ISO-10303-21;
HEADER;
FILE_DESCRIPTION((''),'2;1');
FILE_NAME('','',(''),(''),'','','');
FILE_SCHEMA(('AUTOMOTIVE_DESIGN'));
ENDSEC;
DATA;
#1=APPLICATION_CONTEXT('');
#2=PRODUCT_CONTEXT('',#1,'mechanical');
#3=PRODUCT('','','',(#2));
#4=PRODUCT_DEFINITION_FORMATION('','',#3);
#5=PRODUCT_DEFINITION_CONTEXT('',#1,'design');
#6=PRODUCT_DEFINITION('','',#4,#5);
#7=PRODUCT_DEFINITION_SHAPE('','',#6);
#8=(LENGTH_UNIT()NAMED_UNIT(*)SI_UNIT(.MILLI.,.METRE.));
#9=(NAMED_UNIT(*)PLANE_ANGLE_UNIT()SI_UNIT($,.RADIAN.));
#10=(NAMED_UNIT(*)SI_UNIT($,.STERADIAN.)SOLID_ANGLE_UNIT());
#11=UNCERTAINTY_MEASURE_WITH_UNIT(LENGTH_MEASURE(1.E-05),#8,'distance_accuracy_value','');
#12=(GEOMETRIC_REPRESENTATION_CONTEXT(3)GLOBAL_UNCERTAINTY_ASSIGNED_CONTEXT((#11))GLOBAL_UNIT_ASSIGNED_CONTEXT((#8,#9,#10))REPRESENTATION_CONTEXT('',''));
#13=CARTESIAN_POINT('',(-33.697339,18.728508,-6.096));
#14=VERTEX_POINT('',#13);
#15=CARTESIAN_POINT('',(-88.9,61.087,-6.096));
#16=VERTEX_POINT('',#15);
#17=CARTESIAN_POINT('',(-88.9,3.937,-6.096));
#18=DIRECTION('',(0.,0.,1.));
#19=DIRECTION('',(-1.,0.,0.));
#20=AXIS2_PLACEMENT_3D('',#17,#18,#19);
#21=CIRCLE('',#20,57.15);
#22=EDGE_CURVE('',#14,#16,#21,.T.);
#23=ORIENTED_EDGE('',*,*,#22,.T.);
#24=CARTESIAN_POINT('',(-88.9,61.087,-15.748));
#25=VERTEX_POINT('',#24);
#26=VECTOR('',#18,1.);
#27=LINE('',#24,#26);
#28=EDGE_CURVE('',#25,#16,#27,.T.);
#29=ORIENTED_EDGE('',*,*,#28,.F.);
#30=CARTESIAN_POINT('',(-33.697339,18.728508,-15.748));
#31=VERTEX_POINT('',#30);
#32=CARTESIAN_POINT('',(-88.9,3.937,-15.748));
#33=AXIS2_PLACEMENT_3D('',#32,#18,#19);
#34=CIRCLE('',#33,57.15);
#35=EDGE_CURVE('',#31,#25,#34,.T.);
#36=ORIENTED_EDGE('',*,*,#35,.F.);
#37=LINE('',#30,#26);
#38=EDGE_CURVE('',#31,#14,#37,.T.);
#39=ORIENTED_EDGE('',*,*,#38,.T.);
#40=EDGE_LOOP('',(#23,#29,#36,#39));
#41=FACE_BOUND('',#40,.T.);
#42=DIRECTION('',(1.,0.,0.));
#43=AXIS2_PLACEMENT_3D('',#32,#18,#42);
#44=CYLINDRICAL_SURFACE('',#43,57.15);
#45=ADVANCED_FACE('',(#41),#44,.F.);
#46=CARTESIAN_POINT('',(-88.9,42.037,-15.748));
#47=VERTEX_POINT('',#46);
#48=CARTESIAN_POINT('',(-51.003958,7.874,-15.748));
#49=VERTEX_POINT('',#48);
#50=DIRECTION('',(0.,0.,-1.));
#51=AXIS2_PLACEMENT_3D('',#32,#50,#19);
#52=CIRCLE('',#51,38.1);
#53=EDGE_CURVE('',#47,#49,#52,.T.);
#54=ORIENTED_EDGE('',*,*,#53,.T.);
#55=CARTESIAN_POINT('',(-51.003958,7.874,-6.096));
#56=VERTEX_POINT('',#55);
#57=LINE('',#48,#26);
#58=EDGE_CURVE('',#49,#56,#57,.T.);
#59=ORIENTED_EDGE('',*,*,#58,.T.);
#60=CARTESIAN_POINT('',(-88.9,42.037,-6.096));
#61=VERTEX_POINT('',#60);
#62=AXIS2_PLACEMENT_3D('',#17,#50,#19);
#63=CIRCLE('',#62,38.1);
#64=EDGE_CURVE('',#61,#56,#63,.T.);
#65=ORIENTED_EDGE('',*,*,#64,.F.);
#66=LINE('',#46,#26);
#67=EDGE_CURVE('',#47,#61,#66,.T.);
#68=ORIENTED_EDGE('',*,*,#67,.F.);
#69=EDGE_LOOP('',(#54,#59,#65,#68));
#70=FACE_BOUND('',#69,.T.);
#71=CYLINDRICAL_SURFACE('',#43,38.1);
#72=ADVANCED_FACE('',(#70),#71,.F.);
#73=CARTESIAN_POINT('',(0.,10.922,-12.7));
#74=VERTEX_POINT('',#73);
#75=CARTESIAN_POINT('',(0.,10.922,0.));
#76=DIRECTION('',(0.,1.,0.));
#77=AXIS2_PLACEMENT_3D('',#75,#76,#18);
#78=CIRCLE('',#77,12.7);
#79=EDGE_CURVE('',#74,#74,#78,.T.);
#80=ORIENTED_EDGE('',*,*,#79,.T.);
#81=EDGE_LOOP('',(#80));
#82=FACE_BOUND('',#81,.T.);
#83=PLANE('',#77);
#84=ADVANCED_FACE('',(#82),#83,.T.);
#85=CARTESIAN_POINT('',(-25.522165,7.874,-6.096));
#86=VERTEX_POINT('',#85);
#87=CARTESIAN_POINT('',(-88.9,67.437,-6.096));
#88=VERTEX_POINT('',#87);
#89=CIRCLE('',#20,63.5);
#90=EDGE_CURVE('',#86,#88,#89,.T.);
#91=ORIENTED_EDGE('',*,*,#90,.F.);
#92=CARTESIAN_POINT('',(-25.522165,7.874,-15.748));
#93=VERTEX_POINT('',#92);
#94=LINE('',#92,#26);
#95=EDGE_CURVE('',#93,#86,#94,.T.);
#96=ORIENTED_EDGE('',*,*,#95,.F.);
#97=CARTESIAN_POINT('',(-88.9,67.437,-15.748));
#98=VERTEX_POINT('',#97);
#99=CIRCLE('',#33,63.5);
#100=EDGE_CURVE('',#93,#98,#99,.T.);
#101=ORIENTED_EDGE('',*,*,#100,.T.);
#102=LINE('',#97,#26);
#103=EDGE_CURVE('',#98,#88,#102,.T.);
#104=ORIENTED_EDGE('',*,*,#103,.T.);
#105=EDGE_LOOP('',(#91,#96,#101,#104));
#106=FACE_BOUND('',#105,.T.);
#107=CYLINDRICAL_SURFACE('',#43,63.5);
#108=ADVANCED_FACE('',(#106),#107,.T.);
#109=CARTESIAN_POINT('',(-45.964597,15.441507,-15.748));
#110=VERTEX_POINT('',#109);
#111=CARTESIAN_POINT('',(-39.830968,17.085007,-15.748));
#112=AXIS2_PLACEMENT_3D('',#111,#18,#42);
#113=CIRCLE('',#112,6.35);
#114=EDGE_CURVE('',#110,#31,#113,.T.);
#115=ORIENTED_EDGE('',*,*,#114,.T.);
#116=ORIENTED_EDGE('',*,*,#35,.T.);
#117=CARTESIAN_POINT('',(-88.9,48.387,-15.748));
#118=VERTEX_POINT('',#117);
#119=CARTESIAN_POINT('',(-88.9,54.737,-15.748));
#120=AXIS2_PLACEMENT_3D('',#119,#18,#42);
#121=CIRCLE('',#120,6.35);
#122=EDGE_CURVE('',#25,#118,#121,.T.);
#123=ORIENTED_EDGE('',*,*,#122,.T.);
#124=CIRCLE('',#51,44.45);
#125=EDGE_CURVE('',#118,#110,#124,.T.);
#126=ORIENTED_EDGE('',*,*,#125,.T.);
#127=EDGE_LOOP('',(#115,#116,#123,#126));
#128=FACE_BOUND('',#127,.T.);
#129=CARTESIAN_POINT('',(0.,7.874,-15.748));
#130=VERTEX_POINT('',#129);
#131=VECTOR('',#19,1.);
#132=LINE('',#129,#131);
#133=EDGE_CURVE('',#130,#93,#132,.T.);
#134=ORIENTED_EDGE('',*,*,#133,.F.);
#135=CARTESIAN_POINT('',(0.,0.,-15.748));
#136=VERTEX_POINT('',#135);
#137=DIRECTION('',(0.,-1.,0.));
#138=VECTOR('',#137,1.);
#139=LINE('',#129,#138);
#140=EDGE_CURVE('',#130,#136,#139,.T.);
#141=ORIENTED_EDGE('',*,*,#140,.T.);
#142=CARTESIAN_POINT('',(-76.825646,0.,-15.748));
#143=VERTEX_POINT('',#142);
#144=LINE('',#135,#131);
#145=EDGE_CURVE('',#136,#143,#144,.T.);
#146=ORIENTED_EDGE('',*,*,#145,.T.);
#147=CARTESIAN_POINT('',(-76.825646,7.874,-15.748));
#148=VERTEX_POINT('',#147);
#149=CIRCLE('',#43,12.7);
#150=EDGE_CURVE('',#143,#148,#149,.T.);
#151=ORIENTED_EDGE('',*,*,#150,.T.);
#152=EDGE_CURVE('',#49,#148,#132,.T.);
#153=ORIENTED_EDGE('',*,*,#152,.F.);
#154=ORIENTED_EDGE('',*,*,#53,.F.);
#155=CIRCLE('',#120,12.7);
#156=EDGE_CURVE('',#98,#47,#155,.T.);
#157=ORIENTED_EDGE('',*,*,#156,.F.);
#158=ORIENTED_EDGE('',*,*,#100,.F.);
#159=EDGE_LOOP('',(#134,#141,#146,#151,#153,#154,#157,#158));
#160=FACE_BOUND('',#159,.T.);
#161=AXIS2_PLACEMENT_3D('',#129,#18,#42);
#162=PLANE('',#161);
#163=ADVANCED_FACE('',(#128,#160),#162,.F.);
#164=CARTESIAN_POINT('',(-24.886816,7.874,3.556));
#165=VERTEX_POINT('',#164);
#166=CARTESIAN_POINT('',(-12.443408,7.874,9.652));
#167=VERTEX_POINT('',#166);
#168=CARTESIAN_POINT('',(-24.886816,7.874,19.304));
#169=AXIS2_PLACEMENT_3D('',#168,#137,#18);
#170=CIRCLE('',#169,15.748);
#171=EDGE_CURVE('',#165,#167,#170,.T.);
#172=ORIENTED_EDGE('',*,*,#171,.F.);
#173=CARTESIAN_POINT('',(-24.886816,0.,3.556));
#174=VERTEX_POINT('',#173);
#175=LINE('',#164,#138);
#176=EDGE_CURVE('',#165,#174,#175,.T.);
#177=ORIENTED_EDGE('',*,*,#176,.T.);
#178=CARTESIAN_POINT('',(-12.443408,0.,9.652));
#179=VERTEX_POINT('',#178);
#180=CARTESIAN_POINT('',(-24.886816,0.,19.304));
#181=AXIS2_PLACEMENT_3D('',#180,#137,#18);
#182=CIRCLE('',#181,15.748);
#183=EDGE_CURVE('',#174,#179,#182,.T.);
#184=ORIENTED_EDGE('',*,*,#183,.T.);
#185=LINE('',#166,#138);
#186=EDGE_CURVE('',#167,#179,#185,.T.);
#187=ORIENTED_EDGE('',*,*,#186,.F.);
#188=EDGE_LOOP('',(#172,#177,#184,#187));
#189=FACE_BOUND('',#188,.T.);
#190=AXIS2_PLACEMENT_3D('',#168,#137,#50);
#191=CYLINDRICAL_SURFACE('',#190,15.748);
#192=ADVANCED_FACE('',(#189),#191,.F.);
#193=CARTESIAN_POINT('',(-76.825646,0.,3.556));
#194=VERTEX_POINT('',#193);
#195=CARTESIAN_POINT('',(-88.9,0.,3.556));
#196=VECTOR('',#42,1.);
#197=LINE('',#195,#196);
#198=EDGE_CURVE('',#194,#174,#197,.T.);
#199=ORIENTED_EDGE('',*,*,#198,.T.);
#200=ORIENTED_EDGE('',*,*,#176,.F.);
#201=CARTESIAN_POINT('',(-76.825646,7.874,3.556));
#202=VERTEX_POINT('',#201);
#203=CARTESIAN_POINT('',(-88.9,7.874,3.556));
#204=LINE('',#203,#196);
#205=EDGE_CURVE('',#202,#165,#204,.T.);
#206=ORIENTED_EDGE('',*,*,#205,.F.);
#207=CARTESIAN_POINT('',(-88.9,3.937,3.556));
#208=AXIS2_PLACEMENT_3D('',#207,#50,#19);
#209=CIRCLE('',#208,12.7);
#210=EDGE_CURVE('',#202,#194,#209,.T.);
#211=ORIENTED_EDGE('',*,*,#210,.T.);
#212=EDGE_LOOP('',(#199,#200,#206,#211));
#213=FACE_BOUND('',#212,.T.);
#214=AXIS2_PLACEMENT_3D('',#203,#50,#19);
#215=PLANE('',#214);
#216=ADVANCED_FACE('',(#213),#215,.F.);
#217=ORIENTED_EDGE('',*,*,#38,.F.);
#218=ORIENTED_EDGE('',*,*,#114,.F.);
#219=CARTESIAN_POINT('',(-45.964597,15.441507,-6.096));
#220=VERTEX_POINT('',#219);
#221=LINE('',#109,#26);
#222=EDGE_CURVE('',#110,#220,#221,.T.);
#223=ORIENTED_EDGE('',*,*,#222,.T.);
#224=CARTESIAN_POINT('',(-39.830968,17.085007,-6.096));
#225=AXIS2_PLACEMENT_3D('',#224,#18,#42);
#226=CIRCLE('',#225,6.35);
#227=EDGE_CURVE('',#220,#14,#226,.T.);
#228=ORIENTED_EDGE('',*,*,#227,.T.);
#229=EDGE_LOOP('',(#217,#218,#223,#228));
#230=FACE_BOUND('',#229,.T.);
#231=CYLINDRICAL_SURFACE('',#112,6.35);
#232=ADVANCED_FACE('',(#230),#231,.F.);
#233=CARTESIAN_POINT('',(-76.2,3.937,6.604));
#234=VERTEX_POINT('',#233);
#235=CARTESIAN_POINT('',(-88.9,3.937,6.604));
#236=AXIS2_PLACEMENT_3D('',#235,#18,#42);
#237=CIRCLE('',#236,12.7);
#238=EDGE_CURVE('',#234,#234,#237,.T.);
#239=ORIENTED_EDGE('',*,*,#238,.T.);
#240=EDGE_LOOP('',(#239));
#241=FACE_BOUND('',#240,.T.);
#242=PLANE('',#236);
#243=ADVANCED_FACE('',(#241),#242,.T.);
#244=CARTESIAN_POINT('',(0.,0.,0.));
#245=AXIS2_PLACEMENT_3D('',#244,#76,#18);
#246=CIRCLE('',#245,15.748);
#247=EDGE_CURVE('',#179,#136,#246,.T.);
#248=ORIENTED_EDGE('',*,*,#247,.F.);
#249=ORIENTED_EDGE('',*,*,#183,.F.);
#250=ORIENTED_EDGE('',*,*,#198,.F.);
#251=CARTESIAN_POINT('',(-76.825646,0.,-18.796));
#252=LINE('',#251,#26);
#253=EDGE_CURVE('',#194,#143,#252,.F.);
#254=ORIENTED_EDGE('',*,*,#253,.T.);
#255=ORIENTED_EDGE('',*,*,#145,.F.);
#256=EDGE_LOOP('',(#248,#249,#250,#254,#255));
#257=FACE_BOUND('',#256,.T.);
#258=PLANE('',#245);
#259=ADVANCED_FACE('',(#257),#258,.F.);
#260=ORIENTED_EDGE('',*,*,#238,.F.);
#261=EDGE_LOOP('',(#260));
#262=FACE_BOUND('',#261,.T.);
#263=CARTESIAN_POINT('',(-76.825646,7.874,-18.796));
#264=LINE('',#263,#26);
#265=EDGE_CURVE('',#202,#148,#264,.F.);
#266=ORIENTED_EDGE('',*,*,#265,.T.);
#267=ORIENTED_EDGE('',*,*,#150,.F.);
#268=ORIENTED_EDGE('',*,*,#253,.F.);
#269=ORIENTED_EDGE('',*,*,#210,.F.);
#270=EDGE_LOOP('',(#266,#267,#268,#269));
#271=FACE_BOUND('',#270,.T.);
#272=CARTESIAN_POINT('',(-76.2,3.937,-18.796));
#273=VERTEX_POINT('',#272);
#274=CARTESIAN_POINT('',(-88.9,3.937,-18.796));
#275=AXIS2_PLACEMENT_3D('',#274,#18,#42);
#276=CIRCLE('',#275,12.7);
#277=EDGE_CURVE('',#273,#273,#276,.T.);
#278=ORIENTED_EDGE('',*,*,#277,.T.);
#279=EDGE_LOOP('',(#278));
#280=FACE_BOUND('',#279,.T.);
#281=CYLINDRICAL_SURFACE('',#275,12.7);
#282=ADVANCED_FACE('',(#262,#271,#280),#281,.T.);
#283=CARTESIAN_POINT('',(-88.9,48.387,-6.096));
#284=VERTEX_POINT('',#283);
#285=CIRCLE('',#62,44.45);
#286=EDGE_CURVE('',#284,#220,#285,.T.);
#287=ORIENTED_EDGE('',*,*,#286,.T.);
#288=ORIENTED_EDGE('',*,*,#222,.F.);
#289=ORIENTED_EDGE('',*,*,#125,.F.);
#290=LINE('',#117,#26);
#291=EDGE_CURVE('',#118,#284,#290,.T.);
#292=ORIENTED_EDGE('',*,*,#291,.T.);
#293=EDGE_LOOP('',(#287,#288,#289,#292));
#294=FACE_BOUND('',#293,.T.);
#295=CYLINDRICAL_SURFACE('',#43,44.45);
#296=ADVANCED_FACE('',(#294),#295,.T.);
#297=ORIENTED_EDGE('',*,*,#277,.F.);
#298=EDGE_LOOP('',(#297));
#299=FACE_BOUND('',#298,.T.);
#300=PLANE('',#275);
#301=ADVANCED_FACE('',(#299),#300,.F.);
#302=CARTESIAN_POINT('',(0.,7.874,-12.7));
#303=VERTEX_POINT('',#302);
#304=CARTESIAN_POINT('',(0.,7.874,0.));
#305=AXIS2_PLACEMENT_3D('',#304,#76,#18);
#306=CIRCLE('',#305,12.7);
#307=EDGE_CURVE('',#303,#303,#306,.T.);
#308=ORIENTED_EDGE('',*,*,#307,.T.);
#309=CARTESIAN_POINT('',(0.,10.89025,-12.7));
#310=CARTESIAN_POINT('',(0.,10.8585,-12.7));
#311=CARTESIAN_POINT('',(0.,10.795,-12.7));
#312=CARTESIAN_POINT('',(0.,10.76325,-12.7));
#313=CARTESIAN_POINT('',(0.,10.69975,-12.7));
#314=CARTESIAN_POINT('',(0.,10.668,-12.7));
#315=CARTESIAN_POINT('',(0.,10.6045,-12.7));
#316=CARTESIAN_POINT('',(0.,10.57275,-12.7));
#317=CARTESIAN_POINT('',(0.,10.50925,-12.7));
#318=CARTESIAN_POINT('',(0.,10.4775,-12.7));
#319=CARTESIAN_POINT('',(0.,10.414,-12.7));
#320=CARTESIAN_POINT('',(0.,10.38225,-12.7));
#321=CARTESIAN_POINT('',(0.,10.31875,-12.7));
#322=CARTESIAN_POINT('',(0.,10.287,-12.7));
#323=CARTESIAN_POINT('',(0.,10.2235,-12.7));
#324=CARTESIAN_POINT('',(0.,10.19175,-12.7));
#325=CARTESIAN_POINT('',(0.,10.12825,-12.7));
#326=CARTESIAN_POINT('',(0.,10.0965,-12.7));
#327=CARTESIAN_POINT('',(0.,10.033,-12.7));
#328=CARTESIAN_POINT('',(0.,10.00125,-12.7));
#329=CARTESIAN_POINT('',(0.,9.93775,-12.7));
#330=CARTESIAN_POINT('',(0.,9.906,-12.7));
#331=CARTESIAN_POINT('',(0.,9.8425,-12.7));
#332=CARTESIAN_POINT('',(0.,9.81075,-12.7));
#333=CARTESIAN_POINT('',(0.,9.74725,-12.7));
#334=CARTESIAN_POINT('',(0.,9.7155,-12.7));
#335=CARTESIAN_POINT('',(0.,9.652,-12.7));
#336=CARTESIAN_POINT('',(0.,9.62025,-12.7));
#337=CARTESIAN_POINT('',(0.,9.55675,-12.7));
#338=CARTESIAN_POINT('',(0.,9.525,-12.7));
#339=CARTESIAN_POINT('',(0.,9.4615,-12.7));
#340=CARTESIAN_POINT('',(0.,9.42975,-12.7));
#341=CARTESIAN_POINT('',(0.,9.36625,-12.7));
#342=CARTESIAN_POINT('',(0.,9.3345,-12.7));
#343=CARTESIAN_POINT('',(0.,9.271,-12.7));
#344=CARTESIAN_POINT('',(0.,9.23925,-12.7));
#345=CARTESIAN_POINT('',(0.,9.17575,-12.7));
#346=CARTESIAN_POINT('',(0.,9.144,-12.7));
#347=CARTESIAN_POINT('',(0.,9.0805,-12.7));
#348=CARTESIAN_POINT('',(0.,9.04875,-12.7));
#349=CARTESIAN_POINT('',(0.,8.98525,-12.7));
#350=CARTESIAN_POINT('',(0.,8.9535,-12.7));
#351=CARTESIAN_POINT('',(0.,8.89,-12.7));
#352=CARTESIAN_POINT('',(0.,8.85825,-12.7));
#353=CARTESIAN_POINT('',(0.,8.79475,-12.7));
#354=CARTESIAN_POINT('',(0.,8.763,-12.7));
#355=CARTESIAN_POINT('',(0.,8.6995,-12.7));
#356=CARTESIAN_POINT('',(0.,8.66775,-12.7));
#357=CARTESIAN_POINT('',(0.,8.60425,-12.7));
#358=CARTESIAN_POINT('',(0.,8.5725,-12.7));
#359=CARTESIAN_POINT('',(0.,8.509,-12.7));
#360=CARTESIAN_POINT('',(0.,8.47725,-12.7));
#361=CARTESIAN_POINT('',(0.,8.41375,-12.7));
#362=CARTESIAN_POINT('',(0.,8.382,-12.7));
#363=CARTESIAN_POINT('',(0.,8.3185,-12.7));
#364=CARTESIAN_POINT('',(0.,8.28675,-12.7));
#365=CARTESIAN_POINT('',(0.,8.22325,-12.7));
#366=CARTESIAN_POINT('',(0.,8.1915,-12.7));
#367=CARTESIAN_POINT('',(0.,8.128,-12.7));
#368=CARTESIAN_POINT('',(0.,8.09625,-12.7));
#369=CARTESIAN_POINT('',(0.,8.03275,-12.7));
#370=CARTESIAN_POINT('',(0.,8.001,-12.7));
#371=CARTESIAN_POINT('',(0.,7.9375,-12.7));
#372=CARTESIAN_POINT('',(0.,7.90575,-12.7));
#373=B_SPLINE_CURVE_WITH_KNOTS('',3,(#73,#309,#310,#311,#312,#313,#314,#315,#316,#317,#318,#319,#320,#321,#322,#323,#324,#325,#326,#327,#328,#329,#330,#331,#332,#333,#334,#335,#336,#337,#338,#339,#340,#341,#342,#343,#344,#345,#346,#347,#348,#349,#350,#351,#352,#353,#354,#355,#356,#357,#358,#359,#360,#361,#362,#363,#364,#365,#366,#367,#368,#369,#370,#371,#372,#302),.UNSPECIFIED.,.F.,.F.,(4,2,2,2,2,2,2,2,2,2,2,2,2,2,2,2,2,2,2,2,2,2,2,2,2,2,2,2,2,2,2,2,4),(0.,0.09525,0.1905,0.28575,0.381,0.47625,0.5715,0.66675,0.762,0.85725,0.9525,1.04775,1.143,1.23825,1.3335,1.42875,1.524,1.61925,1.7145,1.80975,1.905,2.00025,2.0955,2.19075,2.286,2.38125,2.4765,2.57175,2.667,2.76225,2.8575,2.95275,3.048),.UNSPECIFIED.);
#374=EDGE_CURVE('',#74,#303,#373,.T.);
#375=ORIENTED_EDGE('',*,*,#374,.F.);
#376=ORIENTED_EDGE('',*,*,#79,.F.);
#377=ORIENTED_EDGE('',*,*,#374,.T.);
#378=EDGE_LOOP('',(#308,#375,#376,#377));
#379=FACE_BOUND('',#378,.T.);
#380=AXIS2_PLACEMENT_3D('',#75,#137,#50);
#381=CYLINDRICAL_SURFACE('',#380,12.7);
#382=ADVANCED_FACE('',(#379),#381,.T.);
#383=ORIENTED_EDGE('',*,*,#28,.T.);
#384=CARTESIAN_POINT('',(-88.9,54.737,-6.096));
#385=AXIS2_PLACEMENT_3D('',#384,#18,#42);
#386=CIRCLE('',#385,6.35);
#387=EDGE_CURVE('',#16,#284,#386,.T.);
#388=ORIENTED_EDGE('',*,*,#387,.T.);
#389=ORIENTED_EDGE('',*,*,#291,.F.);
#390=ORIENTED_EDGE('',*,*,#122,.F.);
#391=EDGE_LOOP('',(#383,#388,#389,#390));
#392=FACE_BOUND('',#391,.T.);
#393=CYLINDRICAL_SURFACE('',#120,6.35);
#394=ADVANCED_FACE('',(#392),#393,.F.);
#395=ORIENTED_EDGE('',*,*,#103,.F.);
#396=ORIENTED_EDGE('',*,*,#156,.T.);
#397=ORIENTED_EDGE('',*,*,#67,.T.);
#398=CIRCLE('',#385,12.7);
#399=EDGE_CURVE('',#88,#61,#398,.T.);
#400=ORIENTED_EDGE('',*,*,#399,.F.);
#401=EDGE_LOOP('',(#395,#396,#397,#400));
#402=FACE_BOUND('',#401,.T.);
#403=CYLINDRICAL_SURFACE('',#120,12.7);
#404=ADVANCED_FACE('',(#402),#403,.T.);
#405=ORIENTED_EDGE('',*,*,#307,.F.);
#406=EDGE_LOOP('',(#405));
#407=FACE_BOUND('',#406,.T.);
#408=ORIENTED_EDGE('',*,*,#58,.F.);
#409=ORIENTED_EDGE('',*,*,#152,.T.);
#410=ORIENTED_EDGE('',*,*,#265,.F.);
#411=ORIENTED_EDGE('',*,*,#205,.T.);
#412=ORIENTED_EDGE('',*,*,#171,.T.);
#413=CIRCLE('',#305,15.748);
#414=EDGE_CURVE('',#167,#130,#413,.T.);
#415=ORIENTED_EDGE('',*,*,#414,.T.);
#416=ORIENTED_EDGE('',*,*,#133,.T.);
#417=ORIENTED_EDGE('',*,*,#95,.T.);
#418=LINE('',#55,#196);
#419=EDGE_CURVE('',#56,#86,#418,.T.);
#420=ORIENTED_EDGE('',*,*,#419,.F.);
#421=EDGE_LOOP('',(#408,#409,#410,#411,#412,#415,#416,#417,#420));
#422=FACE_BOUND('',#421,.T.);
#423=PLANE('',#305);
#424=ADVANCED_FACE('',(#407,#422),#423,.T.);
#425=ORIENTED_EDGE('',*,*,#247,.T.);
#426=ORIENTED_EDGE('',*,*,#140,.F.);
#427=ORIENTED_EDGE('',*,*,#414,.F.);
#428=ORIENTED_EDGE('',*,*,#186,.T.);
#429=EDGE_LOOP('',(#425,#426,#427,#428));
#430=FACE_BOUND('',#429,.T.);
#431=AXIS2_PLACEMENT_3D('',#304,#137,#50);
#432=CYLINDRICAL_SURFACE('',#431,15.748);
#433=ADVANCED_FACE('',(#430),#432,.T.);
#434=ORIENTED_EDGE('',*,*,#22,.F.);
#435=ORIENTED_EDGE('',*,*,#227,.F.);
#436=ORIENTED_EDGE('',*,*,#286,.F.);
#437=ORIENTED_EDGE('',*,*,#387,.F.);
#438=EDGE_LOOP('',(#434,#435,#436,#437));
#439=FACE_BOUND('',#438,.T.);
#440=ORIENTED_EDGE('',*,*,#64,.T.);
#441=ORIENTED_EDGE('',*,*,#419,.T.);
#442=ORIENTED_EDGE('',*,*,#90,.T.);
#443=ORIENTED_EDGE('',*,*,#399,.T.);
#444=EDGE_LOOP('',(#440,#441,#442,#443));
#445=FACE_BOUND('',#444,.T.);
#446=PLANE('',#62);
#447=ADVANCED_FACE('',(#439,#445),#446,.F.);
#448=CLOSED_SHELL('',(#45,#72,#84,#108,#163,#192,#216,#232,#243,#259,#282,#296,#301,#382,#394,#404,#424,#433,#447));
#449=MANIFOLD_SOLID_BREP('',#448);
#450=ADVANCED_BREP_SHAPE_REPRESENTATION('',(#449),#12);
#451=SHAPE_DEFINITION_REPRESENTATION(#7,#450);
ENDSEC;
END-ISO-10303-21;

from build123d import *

# Parameters (mm, degrees)
SALIENTE_EXTRUIR1_DEPTH      = 7.874
SALIENTE_EXTRUIR2_DEPTH      = 12.7
SALIENTE_EXTRUIR2_DEPTH_BACK = 12.7
CROQUIS4_R                   = 12.7
SALIENTE_EXTRUIR4_DEPTH      = 9.652
CORTAR_EXTRUIR1_DEPTH        = 9.652
CROQUIS10_R                  = 12.7
SALIENTE_EXTRUIR5_DEPTH      = 3.048


with BuildPart() as part:
    # Croquis2 → Saliente-Extruir1 (new body)
    with BuildSketch(Plane(origin=(0, 0, 0), x_dir=(1, 0, 0), z_dir=(0, 1, 0))):
        with BuildLine():
            Line((0, 15.748), (-88.9, 15.748))
            Line((-88.9, 15.748), (-88.9, -3.556))
            Line((-88.9, -3.556), (-24.886815787, -3.556))
            ThreePointArc((-24.886815787, -3.556), (-17.958619485, -5.161878518), (-12.443407893, -9.652))
            ThreePointArc((-12.443407893, -9.652), (14.142121482, -6.928196302), (0, 15.748))
        make_face()
    extrude(amount=SALIENTE_EXTRUIR1_DEPTH)

    # Croquis4 → Saliente-Extruir2 (add, two sides: drawn at the far end of the back side and taken through both)
    with BuildSketch(Plane.XY.offset(-6.096).offset(-SALIENTE_EXTRUIR2_DEPTH_BACK)):
        with Locations((-88.9, 3.937)):
            Circle(CROQUIS4_R)
    extrude(amount=SALIENTE_EXTRUIR2_DEPTH + SALIENTE_EXTRUIR2_DEPTH_BACK)

    # Croquis8 → Saliente-Extruir4 (add)
    with BuildSketch(Plane.XY.offset(-6.096)):
        with BuildLine():
            Line((-51.003957581, 7.874), (-25.522164513, 7.874))
            ThreePointArc((-25.522164513, 7.874), (-45.412930083, 50.209289224), (-88.9, 67.437))
            ThreePointArc((-88.9, 67.437), (-101.6, 54.737), (-88.9, 42.037))
            ThreePointArc((-88.9, 42.037), (-63.389117028, 32.235495543), (-51.003957581, 7.874))
        make_face()
    extrude(amount=-SALIENTE_EXTRUIR4_DEPTH)

    # Croquis9 → Cortar-Extruir1 (cut)
    with BuildSketch(Plane.XY.offset(-6.096)):
        with BuildLine():
            ThreePointArc((-88.9, 61.087), (-95.25, 54.737), (-88.9, 48.387))
            ThreePointArc((-88.9, 48.387), (-61.840554481, 39.201555976), (-45.964597021, 15.441506555))
            ThreePointArc((-45.964597021, 15.441506555), (-38.187467088, 10.951378494), (-33.697339028, 18.728508428))
            ThreePointArc((-33.697339028, 18.728508428), (-54.109284332, 49.277143398), (-88.9, 61.087))
        make_face()
    extrude(amount=-CORTAR_EXTRUIR1_DEPTH, mode=Mode.SUBTRACT)

    # Croquis10 → Saliente-Extruir5 (add)
    with BuildSketch(Plane(origin=(0, 7.874, 0), x_dir=(1, 0, 0), z_dir=(0, 1, 0))):
        with Locations(Location((0, 0, 0), (0, 0, 90))):
            Circle(CROQUIS10_R)
    extrude(amount=SALIENTE_EXTRUIR5_DEPTH)


solid = part.part
